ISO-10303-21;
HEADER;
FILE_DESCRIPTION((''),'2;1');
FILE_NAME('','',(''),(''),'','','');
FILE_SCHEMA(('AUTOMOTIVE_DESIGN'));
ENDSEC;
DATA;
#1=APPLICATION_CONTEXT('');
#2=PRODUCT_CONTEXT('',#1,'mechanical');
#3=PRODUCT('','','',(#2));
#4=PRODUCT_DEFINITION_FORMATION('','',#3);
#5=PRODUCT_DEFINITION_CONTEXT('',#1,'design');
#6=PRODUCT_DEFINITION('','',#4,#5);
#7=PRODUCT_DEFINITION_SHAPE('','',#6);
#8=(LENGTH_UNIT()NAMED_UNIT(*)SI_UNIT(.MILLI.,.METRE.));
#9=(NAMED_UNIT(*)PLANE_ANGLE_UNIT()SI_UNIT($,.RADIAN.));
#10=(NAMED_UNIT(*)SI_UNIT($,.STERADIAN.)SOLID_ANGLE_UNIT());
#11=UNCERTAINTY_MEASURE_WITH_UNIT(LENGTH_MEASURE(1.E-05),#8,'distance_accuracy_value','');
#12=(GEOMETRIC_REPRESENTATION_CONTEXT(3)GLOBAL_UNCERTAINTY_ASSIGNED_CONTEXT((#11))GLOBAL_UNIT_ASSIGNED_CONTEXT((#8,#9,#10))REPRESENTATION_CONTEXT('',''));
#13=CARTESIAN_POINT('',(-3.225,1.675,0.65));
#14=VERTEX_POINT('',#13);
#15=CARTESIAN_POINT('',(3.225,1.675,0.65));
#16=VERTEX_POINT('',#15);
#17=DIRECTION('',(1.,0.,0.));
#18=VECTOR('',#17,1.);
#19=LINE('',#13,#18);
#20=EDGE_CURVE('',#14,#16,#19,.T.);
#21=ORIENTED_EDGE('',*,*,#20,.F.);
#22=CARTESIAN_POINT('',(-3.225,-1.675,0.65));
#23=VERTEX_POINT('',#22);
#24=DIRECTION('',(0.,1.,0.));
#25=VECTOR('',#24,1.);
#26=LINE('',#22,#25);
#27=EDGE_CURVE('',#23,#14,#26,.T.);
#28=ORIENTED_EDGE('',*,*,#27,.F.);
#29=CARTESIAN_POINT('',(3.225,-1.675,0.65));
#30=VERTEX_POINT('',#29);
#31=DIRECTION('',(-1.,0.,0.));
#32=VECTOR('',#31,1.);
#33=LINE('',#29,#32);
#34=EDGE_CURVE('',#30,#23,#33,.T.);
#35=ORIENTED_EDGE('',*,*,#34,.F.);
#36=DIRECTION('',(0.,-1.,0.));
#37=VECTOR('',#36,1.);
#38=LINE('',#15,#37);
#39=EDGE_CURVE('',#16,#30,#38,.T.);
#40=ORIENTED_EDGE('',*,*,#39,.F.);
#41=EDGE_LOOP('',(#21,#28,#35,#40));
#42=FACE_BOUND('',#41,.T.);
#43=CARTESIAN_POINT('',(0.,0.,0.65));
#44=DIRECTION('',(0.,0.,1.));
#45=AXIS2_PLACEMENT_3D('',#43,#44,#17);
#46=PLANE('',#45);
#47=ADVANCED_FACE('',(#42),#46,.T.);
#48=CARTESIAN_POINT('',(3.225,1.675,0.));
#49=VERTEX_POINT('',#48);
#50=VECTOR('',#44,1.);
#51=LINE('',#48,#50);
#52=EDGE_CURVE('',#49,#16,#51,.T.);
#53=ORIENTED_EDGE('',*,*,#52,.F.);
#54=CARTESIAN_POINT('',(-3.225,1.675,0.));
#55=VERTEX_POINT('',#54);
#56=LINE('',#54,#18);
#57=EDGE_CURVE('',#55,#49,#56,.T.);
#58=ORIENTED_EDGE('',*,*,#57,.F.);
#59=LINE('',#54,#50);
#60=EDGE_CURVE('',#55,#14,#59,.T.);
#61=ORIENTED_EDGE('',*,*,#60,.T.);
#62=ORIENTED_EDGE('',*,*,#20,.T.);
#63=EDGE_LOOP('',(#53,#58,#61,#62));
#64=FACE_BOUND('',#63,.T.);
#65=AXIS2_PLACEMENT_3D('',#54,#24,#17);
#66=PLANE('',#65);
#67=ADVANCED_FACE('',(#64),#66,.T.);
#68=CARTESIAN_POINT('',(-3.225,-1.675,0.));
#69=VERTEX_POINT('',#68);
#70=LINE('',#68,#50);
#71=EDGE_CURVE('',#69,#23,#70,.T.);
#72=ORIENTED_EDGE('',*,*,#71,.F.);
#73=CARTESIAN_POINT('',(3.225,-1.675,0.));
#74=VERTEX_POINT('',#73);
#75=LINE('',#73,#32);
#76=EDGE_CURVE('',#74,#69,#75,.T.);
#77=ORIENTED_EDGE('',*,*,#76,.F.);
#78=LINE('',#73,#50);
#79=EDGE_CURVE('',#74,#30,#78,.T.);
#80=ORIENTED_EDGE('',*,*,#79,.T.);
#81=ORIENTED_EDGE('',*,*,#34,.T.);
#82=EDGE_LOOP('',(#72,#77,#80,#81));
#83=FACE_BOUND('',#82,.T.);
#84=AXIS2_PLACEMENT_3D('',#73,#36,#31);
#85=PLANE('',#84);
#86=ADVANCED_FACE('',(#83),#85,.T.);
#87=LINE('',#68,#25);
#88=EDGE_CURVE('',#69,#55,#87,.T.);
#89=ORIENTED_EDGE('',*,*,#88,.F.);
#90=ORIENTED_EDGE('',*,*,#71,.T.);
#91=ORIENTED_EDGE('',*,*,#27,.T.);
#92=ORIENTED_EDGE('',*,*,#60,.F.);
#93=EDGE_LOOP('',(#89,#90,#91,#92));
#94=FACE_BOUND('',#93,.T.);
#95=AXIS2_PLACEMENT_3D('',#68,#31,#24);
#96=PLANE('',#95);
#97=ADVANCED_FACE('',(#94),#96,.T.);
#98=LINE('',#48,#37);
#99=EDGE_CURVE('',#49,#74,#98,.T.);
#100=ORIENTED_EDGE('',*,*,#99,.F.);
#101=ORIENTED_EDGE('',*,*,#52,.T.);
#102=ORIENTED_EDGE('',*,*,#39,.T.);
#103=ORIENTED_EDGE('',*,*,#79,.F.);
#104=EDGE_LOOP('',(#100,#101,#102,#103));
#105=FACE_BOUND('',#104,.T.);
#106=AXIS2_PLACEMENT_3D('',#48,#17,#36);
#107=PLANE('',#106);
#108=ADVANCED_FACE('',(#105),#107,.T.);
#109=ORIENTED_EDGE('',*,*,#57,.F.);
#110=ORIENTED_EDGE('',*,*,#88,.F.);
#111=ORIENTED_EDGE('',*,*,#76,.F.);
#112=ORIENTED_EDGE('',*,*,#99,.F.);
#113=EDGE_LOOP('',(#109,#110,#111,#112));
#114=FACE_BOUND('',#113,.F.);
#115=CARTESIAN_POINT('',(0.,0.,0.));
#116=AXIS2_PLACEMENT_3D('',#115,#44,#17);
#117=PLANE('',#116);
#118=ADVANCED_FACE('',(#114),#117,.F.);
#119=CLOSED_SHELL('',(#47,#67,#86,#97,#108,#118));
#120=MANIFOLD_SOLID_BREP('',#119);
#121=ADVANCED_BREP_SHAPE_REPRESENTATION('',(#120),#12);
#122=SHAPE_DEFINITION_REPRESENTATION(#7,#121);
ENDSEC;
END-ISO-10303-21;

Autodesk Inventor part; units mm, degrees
ref_plane "YZ Plane" through (0, 0, 0) normal (1, 0, 0) x (0, 1, 0)
ref_plane "XZ Plane" through (0, 0, 0) normal (0, 1, 0) x (-1, 0, 0)
ref_plane "XY Plane" through (0, 0, 0) normal (0, 0, 1) x (1, 0, 0)
sketch "2512R-0.55, 0.6r_315" plane through (0, 0, 0) normal (0, 0, 1) x (1, 0, 0)
  line L0 (-3.225, 1.675) -> (3.225, 1.675)
  line L1 (3.225, 1.675) -> (3.225, -1.675)
  line L2 (3.225, -1.675) -> (-3.225, -1.675)
  line L3 (-3.225, -1.675) -> (-3.225, 1.675)
extrude "Extrusion1" add sketch "2512R-0.55, 0.6r_315" along normal blind 0.65
properties part number "0.6r"
